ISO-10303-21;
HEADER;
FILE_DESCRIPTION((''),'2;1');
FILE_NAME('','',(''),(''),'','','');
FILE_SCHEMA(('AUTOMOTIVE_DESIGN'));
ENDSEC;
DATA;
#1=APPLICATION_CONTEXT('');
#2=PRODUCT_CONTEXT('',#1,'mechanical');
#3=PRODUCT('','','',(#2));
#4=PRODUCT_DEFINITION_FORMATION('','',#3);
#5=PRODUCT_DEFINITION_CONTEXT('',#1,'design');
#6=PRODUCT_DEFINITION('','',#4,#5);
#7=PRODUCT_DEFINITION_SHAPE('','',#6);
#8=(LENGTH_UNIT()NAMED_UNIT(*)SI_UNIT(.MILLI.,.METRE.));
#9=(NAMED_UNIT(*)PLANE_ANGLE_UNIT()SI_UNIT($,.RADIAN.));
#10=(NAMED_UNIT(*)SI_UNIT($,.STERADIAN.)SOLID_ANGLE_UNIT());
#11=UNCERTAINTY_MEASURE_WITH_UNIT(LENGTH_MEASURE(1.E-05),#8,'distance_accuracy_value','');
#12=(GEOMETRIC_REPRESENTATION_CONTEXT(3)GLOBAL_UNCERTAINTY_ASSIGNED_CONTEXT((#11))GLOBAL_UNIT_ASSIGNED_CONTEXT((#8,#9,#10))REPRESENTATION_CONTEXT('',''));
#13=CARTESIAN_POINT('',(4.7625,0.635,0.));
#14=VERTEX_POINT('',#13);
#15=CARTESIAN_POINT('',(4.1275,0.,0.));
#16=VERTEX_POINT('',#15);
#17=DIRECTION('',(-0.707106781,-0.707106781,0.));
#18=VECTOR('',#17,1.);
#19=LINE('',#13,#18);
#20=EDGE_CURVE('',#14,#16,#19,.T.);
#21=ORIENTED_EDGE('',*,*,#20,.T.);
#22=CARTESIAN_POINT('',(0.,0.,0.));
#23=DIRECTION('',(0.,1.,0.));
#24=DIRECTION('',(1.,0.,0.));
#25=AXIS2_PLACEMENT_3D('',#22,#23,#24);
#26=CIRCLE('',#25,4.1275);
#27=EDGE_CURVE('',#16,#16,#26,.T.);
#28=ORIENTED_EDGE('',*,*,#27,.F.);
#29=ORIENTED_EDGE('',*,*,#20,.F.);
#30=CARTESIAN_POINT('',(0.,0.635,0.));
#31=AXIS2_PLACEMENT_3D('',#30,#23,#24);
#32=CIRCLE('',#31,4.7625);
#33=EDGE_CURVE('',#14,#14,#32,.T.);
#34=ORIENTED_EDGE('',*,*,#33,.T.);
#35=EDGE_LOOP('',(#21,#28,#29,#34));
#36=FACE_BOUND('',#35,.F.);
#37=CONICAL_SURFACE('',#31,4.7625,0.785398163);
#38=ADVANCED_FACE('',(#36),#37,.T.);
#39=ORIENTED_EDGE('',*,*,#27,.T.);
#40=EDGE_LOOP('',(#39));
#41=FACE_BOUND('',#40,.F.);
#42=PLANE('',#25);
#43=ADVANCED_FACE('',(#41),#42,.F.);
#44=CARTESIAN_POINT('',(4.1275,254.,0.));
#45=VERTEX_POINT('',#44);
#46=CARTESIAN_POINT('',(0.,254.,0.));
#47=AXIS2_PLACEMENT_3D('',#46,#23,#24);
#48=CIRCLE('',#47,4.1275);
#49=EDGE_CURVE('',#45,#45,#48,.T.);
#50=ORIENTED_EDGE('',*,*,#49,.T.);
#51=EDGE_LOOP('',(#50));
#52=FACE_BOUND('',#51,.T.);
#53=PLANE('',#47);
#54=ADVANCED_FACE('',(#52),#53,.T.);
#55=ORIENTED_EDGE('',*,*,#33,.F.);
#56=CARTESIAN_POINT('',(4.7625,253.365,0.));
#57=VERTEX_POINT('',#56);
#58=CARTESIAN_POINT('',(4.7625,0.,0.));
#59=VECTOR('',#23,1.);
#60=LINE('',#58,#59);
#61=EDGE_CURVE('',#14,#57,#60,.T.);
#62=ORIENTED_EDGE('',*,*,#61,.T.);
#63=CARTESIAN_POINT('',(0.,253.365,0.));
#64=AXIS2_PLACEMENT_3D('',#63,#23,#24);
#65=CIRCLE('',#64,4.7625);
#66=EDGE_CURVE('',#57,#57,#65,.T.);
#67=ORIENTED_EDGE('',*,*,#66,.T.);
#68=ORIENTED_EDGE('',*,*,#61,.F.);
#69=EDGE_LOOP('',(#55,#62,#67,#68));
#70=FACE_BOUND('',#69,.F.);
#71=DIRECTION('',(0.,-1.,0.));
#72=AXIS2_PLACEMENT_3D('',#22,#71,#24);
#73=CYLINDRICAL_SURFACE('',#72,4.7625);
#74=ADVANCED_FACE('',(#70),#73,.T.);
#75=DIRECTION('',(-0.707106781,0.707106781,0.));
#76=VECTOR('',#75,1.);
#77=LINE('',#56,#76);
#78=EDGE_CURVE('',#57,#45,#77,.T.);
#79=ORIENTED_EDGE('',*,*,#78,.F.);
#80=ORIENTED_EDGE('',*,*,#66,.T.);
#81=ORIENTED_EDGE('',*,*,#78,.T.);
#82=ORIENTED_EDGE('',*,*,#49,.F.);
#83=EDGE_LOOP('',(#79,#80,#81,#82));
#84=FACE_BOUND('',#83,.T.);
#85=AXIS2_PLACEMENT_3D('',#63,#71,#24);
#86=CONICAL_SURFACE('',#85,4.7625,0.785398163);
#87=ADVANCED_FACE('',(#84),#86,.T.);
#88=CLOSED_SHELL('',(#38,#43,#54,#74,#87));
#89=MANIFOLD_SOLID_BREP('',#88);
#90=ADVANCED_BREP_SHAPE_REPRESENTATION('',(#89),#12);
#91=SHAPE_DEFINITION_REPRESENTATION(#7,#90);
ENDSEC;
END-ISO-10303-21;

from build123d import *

# Parameters (mm, degrees)
SKETCH1_R           = 4.7625
BOSS_EXTRUDE1_DEPTH = 254
CHAMFER1_SIZE       = 0.635


with BuildPart() as part:
    # Sketch1 → Boss-Extrude1 (new body)
    with BuildSketch(Plane(origin=(0, 0, 0), x_dir=(1, 0, 0), z_dir=(0, 1, 0))):
        Circle(SKETCH1_R)
    extrude(amount=BOSS_EXTRUDE1_DEPTH)

    # Chamfer1
    chamfer1_edges = [part.edges().sort_by_distance(p)[0] for p in [
        (-4.7625, 0, 0),
        (-4.7625, 254, 0),
    ]]
    chamfer(chamfer1_edges, length=CHAMFER1_SIZE)


solid = part.part
